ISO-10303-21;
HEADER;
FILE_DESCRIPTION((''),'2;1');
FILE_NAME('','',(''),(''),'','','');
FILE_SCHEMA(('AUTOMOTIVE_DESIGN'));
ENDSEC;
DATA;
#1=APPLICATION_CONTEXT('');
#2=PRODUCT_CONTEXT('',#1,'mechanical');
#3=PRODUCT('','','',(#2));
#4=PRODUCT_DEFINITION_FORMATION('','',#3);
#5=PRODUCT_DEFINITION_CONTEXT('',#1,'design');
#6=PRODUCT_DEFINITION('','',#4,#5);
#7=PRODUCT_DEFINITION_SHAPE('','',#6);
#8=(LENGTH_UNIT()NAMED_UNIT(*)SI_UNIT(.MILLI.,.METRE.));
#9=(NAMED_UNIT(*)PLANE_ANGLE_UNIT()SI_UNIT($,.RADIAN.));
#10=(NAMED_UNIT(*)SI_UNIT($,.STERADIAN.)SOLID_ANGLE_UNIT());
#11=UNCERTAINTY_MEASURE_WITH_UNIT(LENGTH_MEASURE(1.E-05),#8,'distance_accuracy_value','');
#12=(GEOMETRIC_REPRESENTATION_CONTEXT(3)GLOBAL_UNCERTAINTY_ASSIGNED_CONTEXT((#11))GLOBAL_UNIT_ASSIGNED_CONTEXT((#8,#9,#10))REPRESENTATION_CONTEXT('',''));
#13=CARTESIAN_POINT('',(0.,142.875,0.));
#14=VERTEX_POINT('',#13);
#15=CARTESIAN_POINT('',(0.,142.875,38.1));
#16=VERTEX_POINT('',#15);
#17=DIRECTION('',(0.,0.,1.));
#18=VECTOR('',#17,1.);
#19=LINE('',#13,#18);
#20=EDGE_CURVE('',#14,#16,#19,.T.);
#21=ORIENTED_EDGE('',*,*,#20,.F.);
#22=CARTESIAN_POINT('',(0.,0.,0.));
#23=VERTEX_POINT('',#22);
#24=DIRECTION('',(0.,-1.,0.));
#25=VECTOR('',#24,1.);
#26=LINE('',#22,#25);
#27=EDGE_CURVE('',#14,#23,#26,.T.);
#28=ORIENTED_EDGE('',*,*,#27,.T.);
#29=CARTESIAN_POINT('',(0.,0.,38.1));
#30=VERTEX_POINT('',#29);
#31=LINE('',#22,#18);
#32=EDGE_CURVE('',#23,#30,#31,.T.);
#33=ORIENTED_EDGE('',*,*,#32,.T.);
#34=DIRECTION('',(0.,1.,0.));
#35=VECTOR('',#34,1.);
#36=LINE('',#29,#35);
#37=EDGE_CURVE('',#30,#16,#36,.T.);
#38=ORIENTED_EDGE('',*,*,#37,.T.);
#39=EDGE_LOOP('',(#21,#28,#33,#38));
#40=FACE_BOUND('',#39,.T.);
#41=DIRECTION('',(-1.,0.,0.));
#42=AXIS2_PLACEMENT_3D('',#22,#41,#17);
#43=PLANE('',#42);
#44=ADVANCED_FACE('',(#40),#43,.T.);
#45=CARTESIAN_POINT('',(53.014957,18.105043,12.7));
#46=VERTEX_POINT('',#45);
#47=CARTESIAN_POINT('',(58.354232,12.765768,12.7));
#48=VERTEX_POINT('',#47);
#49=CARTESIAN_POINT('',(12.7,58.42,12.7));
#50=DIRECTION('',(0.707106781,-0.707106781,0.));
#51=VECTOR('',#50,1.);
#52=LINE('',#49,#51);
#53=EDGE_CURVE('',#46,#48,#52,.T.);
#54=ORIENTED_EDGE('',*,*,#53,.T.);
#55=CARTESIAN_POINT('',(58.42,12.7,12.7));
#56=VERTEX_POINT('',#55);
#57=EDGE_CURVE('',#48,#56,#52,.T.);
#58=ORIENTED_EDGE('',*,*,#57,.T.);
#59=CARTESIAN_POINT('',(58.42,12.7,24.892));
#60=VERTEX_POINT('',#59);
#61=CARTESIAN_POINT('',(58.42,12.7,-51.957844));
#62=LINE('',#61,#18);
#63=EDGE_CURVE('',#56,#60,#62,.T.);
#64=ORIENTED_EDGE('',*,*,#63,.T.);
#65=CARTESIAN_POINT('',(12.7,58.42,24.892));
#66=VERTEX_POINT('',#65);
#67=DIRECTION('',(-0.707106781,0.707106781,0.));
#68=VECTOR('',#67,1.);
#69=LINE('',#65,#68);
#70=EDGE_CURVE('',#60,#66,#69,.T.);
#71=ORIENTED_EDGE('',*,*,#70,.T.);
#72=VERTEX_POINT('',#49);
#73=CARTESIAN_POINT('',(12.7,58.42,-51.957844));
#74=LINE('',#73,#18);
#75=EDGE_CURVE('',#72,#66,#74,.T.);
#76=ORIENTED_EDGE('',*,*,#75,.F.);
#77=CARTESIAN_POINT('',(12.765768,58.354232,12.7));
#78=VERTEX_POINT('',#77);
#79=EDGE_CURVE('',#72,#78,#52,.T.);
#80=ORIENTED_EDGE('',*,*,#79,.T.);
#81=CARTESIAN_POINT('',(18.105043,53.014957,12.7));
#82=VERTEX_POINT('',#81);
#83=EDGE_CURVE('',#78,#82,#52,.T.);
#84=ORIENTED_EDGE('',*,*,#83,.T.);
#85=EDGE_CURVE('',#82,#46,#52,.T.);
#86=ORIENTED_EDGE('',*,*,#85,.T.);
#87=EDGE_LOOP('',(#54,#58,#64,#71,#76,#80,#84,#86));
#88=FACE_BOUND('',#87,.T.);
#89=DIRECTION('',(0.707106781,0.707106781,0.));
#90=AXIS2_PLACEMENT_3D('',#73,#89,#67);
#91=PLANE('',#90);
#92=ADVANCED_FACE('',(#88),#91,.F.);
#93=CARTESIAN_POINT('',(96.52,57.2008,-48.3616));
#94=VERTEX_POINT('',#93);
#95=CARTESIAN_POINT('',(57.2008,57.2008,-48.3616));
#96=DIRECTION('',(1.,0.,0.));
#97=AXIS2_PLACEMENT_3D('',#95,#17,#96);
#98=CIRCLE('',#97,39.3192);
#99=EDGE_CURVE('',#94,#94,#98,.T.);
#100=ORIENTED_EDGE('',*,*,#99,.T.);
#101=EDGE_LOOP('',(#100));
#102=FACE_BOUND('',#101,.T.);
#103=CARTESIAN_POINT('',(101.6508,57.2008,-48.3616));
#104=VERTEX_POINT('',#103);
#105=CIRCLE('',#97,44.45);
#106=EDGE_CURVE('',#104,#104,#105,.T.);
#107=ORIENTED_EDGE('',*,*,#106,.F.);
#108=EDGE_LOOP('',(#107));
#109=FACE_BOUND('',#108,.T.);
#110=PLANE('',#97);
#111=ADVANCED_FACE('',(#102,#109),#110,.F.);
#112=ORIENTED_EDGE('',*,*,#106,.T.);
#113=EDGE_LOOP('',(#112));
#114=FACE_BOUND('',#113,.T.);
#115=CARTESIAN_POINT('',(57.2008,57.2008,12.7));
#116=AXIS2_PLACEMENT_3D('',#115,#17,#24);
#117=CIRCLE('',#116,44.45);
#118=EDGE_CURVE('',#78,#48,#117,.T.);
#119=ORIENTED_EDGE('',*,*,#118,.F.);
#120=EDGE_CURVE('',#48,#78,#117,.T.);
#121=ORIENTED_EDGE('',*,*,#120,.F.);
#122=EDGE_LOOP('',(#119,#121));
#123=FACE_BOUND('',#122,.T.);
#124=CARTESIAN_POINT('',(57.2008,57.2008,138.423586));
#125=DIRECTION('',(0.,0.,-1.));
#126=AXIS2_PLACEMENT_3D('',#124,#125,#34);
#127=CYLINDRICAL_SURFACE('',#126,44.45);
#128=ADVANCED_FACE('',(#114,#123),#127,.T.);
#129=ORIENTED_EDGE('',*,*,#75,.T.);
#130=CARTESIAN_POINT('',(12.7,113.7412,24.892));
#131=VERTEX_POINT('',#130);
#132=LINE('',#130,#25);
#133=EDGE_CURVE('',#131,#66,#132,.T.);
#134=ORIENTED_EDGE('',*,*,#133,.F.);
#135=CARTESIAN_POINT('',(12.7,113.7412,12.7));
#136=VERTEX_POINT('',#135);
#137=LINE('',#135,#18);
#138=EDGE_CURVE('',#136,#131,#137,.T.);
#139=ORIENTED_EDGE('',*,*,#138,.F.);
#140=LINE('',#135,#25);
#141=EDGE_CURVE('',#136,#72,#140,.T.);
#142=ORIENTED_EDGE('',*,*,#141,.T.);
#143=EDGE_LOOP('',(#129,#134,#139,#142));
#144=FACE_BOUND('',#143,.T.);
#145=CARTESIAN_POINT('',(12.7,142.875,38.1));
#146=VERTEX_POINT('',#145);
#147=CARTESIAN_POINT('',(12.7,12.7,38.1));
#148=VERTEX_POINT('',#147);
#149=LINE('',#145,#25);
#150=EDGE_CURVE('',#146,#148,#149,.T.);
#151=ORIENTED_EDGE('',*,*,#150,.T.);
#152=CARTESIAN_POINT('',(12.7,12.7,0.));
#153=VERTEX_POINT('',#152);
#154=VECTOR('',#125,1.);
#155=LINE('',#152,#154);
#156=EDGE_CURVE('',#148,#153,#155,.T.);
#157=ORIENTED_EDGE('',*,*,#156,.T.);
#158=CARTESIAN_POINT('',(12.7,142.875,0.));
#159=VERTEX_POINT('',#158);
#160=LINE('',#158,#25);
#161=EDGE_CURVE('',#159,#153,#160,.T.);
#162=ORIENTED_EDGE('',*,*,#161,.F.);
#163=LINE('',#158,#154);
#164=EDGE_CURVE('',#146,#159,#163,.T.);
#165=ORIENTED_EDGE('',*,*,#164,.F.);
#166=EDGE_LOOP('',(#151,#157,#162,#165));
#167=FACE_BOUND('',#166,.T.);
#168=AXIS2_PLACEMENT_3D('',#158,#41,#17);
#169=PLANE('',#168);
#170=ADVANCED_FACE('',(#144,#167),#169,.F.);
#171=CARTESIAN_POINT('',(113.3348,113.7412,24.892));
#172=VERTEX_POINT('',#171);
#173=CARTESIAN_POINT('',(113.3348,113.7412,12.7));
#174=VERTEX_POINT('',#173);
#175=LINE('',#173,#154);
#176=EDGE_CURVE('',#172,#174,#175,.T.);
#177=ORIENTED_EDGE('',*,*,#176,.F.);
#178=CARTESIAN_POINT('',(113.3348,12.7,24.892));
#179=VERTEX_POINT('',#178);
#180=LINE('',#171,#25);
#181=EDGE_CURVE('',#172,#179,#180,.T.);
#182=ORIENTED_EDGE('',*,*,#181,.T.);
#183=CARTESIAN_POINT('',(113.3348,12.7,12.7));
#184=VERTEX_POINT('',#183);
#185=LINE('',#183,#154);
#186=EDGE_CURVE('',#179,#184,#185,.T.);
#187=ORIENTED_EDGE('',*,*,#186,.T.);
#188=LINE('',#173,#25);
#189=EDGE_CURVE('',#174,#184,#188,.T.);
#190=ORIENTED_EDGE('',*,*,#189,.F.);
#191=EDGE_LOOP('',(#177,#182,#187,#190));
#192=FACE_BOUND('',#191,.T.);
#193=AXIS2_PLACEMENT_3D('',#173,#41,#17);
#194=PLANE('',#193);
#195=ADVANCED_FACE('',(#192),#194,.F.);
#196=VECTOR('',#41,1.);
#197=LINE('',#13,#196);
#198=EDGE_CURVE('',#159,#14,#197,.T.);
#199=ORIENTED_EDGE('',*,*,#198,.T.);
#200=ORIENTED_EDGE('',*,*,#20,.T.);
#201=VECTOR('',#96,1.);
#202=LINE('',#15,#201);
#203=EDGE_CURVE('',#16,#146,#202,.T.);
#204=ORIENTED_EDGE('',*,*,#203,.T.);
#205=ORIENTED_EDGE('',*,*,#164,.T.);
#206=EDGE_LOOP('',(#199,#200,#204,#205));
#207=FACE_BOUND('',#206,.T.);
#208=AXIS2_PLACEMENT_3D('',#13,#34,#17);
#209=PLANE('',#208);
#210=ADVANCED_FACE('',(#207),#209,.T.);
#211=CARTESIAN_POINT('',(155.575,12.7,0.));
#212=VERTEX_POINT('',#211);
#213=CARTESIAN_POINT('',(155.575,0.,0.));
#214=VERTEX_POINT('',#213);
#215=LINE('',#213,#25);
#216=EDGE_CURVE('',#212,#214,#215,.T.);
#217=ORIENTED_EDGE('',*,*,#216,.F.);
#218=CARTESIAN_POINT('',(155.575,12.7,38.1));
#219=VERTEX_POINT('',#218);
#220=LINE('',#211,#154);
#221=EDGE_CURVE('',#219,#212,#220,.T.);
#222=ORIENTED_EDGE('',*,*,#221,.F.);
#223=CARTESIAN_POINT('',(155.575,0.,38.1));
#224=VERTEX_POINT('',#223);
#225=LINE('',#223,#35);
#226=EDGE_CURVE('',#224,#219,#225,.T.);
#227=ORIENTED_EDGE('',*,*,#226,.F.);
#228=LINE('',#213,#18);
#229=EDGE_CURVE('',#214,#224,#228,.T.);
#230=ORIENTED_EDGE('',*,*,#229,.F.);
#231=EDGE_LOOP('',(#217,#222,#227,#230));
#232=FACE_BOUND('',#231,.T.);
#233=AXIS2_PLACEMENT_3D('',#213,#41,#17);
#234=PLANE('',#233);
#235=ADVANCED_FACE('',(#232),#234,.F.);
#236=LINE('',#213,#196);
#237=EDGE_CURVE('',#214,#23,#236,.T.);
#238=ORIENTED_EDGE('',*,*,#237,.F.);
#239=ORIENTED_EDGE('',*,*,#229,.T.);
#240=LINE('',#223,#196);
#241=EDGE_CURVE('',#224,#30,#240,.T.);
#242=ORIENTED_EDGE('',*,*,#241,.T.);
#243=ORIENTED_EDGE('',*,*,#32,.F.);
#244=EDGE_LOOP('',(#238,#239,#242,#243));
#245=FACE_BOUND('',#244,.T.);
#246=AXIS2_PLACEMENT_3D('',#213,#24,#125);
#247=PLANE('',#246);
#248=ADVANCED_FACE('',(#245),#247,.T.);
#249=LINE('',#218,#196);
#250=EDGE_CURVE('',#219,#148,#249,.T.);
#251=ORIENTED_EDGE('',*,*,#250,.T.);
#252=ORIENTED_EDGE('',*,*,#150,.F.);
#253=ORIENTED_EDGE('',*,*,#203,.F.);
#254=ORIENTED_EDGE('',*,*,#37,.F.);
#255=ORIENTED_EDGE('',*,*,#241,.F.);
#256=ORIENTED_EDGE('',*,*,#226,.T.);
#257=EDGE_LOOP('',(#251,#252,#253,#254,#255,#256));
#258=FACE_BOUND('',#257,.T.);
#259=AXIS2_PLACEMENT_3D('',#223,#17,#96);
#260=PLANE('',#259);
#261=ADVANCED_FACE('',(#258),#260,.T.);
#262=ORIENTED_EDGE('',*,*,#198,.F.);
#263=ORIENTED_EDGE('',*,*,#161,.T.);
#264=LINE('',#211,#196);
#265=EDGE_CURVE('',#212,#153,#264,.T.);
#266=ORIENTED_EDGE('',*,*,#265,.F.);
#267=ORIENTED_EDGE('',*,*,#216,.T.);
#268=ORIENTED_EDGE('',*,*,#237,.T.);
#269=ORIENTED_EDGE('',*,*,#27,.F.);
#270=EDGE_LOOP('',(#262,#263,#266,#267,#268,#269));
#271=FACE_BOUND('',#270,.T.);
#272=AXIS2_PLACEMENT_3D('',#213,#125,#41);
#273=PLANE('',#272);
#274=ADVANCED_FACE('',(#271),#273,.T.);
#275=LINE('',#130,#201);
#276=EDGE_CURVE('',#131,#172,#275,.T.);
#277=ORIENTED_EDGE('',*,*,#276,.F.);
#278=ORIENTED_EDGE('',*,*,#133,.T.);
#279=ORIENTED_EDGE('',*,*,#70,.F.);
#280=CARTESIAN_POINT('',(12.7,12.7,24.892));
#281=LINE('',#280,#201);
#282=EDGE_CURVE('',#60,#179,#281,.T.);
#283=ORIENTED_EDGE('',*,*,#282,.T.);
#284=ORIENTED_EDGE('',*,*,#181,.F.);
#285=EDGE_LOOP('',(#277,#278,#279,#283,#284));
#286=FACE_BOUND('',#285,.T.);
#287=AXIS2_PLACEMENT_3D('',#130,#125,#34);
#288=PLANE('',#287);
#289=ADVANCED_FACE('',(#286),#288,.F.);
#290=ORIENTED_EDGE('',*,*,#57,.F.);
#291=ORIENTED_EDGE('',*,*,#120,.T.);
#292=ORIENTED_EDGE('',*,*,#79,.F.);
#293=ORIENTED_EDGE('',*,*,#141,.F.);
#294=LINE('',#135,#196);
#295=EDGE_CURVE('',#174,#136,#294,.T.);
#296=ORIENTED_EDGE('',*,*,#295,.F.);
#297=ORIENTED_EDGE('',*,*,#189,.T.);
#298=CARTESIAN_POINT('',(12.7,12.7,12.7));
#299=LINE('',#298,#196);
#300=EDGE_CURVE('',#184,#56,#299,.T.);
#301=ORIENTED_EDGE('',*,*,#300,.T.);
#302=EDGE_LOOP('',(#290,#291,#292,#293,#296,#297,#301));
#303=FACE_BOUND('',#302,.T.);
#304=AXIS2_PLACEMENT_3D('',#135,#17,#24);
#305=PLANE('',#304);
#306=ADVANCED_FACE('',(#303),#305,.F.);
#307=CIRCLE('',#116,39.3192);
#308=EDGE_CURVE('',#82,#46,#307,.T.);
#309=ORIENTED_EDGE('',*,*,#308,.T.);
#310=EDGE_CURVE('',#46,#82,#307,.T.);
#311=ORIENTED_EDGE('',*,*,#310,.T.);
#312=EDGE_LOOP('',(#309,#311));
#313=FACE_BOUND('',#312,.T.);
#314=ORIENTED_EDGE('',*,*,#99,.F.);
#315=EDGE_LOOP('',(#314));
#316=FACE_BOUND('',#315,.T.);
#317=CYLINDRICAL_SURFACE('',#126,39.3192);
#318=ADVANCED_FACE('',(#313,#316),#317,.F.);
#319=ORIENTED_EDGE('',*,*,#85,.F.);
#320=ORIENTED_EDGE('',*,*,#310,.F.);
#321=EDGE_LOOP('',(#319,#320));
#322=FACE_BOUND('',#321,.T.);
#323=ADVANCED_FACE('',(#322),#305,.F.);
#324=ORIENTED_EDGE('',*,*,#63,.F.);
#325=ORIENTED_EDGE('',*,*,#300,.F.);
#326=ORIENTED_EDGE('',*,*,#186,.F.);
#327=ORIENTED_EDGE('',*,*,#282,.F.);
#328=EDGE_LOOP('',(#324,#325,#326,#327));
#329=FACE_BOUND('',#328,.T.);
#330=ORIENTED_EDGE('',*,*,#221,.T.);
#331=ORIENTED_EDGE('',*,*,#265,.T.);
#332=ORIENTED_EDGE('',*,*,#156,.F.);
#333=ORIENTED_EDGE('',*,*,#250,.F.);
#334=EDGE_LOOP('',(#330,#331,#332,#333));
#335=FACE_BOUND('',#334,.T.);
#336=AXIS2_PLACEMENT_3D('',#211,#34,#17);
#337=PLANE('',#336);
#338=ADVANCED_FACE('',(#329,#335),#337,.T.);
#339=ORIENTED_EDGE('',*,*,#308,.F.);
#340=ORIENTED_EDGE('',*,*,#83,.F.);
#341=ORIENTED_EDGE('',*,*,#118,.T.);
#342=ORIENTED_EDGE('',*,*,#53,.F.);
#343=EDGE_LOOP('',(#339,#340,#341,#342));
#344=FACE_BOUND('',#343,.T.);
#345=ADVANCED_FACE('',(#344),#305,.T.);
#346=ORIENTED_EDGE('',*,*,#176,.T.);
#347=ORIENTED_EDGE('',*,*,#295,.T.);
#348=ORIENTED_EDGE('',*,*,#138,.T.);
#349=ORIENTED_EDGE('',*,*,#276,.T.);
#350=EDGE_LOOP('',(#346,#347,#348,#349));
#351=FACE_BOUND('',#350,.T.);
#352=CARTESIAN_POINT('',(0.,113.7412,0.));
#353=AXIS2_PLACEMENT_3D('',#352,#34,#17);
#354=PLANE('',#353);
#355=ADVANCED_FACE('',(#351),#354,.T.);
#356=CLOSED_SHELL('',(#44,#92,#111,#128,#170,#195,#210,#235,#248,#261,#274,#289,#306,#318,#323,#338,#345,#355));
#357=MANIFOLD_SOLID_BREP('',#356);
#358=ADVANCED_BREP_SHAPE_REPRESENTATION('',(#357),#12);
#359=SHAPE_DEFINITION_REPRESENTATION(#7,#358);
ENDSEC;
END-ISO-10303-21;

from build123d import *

# Parameters (mm, degrees)
SKETCH1_W           = 12.7
SKETCH1_H           = 38.1
BOSS_EXTRUDE1_DEPTH = 155.575
SKETCH3_W           = 12.7
SKETCH3_H           = 38.1
BOSS_EXTRUDE2_DEPTH = 130.175
SKETCH4_W           = 100.6348
SKETCH4_H           = 12.192
BOSS_EXTRUDE3_DEPTH = 101.0412
CUT_EXTRUDE2_DEPTH  = 12.192
BOSS_EXTRUDE8_START = 61.0616
SKETCH6_R           = 44.45
SKETCH6_R_2         = 39.3192
BOSS_EXTRUDE8_DEPTH = 61.0616


with BuildPart() as part:
    # Sketch1 → Boss-Extrude1 (new body)
    with BuildSketch(Plane(origin=(0, 0, 0), x_dir=(0, -1, 0), z_dir=(-1, 0, 0))):
        with Locations((-6.35, 19.05)):
            Rectangle(SKETCH1_W, SKETCH1_H)
    extrude(amount=-BOSS_EXTRUDE1_DEPTH)

    # Sketch3 → Boss-Extrude2 (add)
    with BuildSketch(Plane(origin=(0, 12.7, 0), x_dir=(1, 0, 0), z_dir=(0, 1, 0))):
        with Locations((6.35, -19.05)):
            Rectangle(SKETCH3_W, SKETCH3_H)
    extrude(amount=BOSS_EXTRUDE2_DEPTH)

    # Sketch4 → Boss-Extrude3 (add)
    with BuildSketch(Plane(origin=(0, 12.7, 0), x_dir=(1, 0, 0), z_dir=(0, 1, 0))):
        with Locations((63.0174, -18.796)):
            Rectangle(SKETCH4_W, SKETCH4_H)
    extrude(amount=BOSS_EXTRUDE3_DEPTH)

    # Sketch5 → Cut-Extrude2 (cut)
    with BuildSketch(Plane.XY.offset(24.892)):
        Polygon((12.7, 58.42), (58.42, 12.7), (12.7, 12.7), align=None)
    extrude(amount=-CUT_EXTRUDE2_DEPTH, mode=Mode.SUBTRACT)

    # Sketch6 → Boss-Extrude8 (add)
    with BuildSketch(Plane(origin=(0, 0, 12.7), x_dir=(-1, 0, 0), z_dir=(0, 0, -1)).offset(BOSS_EXTRUDE8_START)):
        with Locations(Location((-57.2008, 57.2008, 0), (0, 0, 1.486934097))):
            Circle(SKETCH6_R)
        with Locations(Location((-57.2008, 57.2008, 0), (0, 0, 180))):
            Circle(SKETCH6_R_2, mode=Mode.SUBTRACT)
    extrude(amount=-BOSS_EXTRUDE8_DEPTH)


solid = part.part
